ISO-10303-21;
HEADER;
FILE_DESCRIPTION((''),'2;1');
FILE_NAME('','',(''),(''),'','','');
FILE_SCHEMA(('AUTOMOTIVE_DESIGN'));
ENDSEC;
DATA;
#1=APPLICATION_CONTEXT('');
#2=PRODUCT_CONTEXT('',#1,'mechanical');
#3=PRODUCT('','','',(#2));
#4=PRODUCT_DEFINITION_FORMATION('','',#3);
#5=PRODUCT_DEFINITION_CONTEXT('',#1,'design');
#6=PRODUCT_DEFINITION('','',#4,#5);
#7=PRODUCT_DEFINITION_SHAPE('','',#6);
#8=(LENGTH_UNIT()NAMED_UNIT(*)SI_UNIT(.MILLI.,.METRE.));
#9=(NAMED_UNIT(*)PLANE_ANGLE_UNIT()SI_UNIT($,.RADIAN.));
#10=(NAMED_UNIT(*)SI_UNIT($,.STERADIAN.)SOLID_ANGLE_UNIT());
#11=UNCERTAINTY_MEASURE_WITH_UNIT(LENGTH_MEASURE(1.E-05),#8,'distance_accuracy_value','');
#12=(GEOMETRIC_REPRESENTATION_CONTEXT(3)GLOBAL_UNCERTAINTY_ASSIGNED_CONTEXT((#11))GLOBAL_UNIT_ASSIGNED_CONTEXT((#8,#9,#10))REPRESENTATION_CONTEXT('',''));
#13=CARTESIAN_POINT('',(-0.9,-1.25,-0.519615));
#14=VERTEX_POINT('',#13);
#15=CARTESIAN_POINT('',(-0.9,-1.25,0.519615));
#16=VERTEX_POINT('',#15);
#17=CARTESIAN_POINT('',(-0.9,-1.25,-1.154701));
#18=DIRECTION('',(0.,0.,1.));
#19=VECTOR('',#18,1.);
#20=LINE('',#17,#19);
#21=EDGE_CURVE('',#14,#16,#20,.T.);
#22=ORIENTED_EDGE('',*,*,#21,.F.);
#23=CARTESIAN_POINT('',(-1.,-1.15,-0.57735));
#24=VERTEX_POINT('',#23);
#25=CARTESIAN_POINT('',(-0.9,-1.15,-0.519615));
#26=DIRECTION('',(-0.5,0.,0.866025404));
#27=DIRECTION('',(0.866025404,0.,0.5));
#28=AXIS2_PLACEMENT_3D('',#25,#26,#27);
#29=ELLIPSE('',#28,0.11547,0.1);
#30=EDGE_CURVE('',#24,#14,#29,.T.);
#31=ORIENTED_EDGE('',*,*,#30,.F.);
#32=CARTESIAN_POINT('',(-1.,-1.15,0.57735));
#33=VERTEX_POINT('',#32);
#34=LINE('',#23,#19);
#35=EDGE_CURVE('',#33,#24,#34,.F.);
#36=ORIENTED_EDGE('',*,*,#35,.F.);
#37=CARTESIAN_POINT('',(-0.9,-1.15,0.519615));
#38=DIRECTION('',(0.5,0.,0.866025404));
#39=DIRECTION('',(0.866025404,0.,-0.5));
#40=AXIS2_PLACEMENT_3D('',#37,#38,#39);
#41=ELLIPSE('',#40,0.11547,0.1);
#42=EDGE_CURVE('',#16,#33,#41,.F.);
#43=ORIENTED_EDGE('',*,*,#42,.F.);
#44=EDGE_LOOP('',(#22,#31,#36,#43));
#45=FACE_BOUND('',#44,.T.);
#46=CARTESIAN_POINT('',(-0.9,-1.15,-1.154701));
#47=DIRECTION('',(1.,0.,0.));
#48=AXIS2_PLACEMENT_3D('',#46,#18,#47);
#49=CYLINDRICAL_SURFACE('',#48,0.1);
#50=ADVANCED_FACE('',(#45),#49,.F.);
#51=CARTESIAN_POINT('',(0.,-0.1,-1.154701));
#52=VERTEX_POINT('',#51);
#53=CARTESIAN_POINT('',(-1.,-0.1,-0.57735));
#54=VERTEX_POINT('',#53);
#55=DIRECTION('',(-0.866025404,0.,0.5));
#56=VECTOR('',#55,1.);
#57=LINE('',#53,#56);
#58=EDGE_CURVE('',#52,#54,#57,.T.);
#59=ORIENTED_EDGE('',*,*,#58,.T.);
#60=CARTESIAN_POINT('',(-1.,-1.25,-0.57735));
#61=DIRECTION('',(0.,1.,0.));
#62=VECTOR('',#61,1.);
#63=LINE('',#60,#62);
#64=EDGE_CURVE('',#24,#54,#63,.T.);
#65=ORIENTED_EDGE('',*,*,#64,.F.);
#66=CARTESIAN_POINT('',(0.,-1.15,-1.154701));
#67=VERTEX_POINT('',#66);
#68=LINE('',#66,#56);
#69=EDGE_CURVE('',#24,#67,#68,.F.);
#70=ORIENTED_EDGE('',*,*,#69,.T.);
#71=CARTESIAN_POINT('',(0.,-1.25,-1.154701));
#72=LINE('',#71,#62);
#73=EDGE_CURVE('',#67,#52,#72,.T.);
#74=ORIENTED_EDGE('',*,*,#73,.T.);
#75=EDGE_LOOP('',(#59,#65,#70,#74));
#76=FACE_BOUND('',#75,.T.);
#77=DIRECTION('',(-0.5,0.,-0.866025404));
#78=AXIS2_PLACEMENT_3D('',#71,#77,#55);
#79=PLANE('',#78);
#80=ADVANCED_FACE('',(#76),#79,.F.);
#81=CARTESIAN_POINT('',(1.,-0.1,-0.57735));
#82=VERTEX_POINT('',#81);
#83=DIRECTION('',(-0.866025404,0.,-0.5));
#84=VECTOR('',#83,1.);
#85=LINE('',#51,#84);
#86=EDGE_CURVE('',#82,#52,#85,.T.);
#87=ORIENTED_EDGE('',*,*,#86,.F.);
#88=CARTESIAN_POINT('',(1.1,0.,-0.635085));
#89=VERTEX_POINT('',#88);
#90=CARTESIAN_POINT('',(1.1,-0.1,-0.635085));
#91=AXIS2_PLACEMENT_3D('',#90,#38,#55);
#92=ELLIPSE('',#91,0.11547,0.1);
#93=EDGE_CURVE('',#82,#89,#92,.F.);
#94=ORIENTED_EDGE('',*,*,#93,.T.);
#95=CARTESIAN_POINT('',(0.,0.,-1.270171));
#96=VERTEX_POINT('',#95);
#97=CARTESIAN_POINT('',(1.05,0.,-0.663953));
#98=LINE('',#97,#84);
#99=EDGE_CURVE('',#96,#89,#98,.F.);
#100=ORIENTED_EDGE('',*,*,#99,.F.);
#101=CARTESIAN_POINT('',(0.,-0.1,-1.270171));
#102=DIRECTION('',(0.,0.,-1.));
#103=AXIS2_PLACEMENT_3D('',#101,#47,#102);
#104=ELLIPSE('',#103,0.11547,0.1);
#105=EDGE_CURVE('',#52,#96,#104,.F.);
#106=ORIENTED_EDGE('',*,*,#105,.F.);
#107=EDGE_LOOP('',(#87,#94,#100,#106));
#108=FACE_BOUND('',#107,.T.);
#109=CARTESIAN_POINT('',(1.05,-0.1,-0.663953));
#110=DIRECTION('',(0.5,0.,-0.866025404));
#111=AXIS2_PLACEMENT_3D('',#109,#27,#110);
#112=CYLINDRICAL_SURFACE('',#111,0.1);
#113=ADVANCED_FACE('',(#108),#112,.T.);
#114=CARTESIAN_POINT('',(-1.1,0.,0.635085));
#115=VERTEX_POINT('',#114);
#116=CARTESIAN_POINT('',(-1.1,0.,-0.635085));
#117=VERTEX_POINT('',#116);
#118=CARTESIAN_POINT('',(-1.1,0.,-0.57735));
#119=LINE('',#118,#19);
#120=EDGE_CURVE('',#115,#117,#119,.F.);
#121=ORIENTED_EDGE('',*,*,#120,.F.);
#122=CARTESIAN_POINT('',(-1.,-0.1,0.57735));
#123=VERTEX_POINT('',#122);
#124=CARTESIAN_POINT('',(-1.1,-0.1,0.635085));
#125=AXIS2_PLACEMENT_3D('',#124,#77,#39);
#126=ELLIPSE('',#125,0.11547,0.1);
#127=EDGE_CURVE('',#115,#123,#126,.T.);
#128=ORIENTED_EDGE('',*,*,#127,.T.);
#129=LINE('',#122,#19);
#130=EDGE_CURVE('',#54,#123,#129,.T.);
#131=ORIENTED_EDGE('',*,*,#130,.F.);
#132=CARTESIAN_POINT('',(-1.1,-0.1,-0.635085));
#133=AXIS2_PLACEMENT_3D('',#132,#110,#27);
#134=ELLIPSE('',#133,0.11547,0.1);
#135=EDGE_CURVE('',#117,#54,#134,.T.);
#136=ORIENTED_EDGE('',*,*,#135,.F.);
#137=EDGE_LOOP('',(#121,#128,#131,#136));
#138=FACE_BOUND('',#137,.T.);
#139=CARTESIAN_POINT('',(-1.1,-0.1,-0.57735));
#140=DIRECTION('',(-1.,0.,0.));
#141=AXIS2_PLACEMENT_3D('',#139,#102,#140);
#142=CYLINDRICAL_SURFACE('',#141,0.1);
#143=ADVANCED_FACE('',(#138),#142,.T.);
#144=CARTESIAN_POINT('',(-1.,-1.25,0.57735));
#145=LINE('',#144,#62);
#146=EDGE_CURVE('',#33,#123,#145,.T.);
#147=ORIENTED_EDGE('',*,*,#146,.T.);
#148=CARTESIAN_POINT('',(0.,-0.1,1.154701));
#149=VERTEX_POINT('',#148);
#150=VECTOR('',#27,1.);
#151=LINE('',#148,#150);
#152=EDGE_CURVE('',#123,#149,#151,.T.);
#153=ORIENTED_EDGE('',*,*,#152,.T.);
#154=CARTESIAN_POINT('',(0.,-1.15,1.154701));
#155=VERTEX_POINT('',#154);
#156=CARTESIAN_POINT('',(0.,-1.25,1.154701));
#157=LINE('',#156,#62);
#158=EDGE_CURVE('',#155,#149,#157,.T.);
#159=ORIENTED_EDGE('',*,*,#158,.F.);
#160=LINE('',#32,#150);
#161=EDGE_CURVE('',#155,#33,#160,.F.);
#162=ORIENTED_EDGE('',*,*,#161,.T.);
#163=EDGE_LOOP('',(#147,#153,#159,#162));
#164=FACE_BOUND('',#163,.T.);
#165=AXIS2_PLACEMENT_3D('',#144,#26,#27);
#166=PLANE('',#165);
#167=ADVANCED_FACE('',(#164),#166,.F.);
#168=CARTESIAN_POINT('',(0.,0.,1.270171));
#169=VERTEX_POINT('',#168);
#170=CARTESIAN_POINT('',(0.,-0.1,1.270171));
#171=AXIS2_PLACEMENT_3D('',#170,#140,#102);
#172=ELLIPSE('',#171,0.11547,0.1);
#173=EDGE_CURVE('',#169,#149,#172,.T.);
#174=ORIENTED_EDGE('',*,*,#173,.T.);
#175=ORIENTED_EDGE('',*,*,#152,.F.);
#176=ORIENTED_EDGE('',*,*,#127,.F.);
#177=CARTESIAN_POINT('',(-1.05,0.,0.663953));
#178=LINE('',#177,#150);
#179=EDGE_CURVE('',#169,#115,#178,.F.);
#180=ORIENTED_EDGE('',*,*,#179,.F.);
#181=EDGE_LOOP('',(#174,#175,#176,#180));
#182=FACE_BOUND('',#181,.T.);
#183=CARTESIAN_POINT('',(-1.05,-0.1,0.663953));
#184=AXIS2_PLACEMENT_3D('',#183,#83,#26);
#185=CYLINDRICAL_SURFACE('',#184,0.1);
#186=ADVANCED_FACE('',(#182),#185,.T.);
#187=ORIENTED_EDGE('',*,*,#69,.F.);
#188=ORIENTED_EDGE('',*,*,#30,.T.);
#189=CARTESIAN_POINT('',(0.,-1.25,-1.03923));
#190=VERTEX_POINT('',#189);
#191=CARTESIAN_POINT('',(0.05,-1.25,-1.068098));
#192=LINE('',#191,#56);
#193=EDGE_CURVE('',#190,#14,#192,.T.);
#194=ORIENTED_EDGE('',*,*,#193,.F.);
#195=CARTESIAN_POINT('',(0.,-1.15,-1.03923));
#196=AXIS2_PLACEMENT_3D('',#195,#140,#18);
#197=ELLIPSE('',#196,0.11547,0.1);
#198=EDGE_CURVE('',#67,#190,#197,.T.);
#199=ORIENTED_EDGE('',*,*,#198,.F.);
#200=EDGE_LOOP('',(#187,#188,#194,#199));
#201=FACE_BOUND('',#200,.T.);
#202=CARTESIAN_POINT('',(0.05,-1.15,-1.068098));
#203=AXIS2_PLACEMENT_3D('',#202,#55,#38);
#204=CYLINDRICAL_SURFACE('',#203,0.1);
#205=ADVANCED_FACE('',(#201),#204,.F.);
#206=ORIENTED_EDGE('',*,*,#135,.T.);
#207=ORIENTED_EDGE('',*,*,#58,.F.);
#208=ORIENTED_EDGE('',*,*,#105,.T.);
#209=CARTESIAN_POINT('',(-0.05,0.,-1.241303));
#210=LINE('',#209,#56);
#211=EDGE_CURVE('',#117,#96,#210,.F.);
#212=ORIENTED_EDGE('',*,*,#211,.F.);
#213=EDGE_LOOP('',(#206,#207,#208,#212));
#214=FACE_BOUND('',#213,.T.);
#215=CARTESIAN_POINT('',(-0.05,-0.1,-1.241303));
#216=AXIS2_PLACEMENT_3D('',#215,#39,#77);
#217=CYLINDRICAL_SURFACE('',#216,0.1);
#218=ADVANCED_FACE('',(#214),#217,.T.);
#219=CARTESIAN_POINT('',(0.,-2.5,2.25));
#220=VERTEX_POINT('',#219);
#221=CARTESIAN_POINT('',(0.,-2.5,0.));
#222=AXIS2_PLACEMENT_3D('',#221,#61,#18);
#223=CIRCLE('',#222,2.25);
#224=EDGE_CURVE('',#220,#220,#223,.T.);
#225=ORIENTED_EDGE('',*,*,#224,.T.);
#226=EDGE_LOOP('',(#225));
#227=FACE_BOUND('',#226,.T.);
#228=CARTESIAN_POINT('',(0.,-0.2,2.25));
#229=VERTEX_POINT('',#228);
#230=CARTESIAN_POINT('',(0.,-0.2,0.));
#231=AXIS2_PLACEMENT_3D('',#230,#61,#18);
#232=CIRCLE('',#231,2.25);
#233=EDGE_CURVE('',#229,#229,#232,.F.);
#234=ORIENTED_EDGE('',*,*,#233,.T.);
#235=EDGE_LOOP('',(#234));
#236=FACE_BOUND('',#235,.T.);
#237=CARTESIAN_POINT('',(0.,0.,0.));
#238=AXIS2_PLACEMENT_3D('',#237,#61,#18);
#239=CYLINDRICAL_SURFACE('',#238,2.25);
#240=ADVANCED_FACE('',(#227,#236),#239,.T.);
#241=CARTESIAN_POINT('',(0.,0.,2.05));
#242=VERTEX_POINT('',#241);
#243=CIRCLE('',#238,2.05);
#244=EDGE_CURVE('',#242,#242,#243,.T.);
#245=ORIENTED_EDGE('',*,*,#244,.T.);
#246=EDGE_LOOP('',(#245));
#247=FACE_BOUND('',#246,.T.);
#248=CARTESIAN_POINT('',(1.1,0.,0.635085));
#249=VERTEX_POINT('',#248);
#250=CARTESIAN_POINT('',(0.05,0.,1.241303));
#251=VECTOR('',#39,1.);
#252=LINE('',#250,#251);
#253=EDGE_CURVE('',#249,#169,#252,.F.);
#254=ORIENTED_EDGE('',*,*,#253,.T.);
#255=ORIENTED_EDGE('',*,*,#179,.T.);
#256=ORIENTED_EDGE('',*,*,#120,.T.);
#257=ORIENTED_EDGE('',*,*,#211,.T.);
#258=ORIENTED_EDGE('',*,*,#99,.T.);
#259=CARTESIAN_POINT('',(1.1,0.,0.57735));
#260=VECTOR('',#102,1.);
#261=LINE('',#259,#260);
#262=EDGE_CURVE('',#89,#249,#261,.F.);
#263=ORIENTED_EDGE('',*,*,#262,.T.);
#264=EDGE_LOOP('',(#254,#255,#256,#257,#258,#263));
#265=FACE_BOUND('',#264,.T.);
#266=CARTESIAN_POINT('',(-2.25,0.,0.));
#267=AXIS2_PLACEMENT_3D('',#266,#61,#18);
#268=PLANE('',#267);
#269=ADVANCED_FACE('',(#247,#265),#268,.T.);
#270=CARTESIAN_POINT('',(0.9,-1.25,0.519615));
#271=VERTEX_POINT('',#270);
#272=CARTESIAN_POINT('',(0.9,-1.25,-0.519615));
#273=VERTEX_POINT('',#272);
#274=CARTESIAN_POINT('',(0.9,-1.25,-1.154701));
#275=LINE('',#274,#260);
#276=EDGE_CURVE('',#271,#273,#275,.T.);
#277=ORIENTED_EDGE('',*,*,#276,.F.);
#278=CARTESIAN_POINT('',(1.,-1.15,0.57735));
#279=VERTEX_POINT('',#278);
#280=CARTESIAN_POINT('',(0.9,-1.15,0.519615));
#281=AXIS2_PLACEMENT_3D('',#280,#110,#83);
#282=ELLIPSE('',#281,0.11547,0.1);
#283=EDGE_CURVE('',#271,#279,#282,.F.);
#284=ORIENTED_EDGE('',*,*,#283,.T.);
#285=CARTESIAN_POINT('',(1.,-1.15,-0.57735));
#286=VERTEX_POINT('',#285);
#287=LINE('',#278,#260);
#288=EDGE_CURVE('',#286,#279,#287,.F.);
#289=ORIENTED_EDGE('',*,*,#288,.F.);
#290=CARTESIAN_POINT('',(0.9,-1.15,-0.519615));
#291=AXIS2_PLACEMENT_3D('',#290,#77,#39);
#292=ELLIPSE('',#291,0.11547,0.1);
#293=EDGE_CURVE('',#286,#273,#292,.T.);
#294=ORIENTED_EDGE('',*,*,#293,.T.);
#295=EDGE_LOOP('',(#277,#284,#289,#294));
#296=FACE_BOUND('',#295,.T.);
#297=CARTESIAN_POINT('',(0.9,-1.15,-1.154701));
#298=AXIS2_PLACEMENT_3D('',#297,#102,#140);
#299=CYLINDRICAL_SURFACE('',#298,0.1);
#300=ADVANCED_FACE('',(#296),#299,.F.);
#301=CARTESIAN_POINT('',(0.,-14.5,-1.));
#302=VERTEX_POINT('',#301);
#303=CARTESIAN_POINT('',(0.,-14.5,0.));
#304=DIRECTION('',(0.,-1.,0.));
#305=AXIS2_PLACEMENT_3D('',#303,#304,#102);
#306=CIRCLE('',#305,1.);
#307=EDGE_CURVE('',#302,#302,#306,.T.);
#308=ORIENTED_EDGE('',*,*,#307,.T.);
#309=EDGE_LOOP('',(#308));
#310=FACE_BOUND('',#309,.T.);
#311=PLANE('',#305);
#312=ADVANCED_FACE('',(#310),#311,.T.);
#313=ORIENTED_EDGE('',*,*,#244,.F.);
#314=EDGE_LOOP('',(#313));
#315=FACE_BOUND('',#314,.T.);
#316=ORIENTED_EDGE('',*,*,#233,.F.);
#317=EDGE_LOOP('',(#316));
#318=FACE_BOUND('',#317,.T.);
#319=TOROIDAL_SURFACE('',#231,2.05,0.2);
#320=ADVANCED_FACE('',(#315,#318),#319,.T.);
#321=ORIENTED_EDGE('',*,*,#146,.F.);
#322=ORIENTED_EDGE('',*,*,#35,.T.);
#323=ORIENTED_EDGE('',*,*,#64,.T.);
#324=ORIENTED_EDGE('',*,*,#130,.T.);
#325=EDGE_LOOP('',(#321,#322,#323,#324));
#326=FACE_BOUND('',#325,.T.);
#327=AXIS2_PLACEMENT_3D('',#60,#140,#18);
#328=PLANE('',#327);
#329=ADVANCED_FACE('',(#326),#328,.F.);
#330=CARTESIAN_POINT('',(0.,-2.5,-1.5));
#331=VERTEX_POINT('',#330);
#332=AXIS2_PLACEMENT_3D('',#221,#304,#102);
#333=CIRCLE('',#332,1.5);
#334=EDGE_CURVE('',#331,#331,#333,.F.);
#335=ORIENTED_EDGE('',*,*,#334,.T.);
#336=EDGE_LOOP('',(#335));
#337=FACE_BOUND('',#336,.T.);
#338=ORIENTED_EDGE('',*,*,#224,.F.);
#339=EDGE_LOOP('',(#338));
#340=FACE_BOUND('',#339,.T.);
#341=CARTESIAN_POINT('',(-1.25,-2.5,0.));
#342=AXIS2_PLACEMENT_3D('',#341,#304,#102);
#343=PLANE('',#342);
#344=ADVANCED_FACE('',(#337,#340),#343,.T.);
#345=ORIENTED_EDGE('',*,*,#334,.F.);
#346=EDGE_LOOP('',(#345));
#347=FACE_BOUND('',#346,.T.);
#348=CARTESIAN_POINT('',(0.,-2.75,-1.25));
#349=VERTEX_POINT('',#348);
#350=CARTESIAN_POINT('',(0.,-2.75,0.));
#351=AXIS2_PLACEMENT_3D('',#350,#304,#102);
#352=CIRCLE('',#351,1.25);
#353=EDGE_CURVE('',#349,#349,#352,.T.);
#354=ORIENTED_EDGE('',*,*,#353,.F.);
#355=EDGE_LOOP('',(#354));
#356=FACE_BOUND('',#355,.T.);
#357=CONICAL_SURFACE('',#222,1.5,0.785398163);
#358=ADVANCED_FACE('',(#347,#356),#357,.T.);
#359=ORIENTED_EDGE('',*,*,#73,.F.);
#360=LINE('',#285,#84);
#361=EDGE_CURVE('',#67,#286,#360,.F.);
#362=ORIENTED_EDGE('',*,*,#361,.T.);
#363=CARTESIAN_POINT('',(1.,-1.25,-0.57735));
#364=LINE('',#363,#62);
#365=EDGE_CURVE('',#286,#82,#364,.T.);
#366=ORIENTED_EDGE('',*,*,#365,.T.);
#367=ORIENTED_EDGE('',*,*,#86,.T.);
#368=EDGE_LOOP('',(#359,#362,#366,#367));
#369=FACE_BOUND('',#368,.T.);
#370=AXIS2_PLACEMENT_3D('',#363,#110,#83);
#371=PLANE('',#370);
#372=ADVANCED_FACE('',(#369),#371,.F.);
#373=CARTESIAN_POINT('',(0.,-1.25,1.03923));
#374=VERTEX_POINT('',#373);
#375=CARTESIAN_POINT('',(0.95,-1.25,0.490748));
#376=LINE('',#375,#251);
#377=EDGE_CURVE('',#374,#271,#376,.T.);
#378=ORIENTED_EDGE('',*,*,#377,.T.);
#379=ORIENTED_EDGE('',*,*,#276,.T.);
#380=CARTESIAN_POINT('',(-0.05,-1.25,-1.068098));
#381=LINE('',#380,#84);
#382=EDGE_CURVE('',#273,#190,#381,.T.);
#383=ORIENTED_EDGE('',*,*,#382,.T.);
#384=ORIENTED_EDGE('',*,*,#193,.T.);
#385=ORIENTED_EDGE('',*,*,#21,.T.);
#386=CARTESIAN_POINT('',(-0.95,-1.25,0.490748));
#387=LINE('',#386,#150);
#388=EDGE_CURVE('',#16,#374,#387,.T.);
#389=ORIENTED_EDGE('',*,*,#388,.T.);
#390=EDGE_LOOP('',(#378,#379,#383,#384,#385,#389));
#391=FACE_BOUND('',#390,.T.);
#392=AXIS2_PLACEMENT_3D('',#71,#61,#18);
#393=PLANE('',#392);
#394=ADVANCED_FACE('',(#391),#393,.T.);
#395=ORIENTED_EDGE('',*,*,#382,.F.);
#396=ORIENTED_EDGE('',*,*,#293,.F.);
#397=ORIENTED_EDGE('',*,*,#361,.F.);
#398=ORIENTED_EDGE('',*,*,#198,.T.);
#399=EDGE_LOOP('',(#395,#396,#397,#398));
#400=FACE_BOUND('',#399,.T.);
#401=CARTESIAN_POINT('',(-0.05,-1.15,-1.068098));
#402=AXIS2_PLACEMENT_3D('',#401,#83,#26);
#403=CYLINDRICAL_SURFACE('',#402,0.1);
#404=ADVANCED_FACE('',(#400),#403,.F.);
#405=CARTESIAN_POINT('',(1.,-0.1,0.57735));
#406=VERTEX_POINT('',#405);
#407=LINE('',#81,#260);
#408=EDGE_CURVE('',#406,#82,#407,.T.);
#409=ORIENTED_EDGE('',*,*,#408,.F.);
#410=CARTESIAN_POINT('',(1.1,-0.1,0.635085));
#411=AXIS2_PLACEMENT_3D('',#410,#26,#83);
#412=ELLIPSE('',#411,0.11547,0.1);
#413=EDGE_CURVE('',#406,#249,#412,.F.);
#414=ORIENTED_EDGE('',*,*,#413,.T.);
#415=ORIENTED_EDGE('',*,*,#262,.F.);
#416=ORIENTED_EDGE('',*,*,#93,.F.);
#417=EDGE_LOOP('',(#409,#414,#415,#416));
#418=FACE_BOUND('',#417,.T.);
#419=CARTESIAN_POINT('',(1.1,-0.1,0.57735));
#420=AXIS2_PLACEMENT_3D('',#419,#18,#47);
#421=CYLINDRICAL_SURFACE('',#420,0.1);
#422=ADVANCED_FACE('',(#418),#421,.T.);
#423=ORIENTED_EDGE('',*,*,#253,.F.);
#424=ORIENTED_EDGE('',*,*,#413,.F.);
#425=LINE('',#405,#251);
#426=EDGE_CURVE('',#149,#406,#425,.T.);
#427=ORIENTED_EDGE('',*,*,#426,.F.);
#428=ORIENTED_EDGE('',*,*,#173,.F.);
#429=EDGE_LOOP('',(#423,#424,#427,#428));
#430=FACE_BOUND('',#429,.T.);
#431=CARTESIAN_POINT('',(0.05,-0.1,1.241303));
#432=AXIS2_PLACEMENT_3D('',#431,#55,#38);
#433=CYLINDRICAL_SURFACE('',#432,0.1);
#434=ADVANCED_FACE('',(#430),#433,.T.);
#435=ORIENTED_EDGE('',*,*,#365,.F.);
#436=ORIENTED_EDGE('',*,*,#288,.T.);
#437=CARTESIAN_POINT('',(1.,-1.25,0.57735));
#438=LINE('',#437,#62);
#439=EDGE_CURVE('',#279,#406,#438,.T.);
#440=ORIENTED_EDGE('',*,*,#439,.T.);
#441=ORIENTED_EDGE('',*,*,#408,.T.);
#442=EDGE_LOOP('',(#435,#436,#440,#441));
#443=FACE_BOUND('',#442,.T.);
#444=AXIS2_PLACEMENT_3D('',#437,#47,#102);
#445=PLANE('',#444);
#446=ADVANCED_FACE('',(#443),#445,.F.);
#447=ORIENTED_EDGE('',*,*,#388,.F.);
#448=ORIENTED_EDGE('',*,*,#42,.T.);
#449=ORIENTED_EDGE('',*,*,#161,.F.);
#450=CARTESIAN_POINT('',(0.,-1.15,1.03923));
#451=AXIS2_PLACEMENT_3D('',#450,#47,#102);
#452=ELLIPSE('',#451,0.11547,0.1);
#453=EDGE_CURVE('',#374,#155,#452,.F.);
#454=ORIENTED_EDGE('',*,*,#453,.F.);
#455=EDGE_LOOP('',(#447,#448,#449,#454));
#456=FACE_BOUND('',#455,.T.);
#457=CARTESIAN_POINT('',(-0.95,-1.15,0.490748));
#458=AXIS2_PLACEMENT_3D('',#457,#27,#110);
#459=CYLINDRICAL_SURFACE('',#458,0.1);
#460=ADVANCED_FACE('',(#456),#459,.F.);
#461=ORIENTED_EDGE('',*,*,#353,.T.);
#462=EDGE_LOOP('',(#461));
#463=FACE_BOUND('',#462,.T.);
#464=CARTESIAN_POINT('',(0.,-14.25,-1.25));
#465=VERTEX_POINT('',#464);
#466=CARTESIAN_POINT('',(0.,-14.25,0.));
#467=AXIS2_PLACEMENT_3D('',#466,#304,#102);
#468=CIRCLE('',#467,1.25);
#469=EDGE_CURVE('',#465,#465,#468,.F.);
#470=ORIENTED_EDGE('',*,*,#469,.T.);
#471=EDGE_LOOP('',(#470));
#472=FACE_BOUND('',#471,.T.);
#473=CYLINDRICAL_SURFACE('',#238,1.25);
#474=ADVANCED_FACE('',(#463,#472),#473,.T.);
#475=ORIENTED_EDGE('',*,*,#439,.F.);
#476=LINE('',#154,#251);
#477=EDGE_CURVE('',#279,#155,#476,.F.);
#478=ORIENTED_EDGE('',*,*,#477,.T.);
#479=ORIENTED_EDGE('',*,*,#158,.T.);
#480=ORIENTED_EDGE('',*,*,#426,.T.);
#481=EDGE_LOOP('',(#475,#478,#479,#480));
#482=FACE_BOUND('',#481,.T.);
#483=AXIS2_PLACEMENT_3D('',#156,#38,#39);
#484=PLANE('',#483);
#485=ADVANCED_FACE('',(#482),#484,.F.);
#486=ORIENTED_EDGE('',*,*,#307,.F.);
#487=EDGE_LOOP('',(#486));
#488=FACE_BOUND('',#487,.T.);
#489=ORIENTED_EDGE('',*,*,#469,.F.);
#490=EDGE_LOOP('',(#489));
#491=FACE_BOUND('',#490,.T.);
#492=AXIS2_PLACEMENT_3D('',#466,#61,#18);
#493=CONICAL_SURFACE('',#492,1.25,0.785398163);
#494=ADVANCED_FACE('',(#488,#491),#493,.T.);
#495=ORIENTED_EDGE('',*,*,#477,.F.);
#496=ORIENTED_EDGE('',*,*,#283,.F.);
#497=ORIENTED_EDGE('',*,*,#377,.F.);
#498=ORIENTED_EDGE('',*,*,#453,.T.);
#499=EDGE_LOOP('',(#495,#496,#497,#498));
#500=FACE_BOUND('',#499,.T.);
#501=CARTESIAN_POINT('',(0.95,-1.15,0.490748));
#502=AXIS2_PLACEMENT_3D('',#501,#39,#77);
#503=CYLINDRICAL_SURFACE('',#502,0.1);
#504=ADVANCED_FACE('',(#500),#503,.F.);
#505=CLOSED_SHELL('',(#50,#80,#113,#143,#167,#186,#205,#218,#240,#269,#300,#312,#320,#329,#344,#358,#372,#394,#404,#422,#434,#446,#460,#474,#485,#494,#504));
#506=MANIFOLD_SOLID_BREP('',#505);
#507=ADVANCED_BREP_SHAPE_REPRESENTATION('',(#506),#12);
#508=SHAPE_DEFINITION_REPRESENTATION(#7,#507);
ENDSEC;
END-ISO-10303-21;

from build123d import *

# Parameters (mm, degrees)
CHAMFER1_SIZE      = 0.25
FILLET1_R          = 0.2
CUT_EXTRUDE1_DEPTH = 1.25
FILLET2_R          = 0.1


with BuildPart() as part:
    # Sketch1 → Revolve1 (revolve)
    with BuildSketch(Plane.XY, mode=Mode.PRIVATE) as revolve1_sk:
        Polygon((0, -14.5), (-1.25, -14.5), (-1.25, -2.5), (-2.25, -2.5), (-2.25, 0), (0, 0), align=None)
    revolve(revolve1_sk.sketch.rotate(Axis((0, 0, 0), (0, -1, 0)), 270), axis=Axis((0, 0, 0), (0, -1, 0)))

    # Chamfer1
    chamfer1_edges = [part.edges().sort_by_distance(p)[0] for p in [
        (0, -2.5, -1.25),
        (0, -14.5, -1.25),
    ]]
    chamfer(chamfer1_edges, length=CHAMFER1_SIZE)

    # Fillet1
    fillet1_edges = [part.edges().sort_by_distance(p)[0] for p in [
        (0, 0, -2.25),
    ]]
    fillet(fillet1_edges, radius=FILLET1_R)

    # Sketch2 → Cut-Extrude1 (cut)
    with BuildSketch(Plane(origin=(0, 0, 0), x_dir=(1, 0, 0), z_dir=(0, 1, 0))):
        Polygon((0, 1.154700538), (-1, 0.577350269), (-1, -0.577350269), (0, -1.154700538), (1, -0.577350269), (1, 0.577350269), align=None)
    extrude(amount=-CUT_EXTRUDE1_DEPTH, mode=Mode.SUBTRACT)

    # Fillet2
    fillet2_edges = [part.edges().sort_by_distance(p)[0] for p in [
        (0.5, -1.25, -0.866025404),
        (1, -1.25, 0),
        (0.5, -1.25, 0.866025404),
        (-0.5, -1.25, 0.866025404),
        (-1, -1.25, 0),
        (-0.5, -1.25, -0.866025404),
        (0.4999999999999987, 0, -0.8660254037844397),
        (-0.5000000000000006, 0, -0.8660254037844395),
        (-1, 0, 0),
        (-0.5000000000000007, 0, 0.8660254037844379),
        (0.4999999999999988, 0, 0.8660254037844382),
        (1, 0, 0),
    ]]
    fillet(fillet2_edges, radius=FILLET2_R)


solid = part.part
